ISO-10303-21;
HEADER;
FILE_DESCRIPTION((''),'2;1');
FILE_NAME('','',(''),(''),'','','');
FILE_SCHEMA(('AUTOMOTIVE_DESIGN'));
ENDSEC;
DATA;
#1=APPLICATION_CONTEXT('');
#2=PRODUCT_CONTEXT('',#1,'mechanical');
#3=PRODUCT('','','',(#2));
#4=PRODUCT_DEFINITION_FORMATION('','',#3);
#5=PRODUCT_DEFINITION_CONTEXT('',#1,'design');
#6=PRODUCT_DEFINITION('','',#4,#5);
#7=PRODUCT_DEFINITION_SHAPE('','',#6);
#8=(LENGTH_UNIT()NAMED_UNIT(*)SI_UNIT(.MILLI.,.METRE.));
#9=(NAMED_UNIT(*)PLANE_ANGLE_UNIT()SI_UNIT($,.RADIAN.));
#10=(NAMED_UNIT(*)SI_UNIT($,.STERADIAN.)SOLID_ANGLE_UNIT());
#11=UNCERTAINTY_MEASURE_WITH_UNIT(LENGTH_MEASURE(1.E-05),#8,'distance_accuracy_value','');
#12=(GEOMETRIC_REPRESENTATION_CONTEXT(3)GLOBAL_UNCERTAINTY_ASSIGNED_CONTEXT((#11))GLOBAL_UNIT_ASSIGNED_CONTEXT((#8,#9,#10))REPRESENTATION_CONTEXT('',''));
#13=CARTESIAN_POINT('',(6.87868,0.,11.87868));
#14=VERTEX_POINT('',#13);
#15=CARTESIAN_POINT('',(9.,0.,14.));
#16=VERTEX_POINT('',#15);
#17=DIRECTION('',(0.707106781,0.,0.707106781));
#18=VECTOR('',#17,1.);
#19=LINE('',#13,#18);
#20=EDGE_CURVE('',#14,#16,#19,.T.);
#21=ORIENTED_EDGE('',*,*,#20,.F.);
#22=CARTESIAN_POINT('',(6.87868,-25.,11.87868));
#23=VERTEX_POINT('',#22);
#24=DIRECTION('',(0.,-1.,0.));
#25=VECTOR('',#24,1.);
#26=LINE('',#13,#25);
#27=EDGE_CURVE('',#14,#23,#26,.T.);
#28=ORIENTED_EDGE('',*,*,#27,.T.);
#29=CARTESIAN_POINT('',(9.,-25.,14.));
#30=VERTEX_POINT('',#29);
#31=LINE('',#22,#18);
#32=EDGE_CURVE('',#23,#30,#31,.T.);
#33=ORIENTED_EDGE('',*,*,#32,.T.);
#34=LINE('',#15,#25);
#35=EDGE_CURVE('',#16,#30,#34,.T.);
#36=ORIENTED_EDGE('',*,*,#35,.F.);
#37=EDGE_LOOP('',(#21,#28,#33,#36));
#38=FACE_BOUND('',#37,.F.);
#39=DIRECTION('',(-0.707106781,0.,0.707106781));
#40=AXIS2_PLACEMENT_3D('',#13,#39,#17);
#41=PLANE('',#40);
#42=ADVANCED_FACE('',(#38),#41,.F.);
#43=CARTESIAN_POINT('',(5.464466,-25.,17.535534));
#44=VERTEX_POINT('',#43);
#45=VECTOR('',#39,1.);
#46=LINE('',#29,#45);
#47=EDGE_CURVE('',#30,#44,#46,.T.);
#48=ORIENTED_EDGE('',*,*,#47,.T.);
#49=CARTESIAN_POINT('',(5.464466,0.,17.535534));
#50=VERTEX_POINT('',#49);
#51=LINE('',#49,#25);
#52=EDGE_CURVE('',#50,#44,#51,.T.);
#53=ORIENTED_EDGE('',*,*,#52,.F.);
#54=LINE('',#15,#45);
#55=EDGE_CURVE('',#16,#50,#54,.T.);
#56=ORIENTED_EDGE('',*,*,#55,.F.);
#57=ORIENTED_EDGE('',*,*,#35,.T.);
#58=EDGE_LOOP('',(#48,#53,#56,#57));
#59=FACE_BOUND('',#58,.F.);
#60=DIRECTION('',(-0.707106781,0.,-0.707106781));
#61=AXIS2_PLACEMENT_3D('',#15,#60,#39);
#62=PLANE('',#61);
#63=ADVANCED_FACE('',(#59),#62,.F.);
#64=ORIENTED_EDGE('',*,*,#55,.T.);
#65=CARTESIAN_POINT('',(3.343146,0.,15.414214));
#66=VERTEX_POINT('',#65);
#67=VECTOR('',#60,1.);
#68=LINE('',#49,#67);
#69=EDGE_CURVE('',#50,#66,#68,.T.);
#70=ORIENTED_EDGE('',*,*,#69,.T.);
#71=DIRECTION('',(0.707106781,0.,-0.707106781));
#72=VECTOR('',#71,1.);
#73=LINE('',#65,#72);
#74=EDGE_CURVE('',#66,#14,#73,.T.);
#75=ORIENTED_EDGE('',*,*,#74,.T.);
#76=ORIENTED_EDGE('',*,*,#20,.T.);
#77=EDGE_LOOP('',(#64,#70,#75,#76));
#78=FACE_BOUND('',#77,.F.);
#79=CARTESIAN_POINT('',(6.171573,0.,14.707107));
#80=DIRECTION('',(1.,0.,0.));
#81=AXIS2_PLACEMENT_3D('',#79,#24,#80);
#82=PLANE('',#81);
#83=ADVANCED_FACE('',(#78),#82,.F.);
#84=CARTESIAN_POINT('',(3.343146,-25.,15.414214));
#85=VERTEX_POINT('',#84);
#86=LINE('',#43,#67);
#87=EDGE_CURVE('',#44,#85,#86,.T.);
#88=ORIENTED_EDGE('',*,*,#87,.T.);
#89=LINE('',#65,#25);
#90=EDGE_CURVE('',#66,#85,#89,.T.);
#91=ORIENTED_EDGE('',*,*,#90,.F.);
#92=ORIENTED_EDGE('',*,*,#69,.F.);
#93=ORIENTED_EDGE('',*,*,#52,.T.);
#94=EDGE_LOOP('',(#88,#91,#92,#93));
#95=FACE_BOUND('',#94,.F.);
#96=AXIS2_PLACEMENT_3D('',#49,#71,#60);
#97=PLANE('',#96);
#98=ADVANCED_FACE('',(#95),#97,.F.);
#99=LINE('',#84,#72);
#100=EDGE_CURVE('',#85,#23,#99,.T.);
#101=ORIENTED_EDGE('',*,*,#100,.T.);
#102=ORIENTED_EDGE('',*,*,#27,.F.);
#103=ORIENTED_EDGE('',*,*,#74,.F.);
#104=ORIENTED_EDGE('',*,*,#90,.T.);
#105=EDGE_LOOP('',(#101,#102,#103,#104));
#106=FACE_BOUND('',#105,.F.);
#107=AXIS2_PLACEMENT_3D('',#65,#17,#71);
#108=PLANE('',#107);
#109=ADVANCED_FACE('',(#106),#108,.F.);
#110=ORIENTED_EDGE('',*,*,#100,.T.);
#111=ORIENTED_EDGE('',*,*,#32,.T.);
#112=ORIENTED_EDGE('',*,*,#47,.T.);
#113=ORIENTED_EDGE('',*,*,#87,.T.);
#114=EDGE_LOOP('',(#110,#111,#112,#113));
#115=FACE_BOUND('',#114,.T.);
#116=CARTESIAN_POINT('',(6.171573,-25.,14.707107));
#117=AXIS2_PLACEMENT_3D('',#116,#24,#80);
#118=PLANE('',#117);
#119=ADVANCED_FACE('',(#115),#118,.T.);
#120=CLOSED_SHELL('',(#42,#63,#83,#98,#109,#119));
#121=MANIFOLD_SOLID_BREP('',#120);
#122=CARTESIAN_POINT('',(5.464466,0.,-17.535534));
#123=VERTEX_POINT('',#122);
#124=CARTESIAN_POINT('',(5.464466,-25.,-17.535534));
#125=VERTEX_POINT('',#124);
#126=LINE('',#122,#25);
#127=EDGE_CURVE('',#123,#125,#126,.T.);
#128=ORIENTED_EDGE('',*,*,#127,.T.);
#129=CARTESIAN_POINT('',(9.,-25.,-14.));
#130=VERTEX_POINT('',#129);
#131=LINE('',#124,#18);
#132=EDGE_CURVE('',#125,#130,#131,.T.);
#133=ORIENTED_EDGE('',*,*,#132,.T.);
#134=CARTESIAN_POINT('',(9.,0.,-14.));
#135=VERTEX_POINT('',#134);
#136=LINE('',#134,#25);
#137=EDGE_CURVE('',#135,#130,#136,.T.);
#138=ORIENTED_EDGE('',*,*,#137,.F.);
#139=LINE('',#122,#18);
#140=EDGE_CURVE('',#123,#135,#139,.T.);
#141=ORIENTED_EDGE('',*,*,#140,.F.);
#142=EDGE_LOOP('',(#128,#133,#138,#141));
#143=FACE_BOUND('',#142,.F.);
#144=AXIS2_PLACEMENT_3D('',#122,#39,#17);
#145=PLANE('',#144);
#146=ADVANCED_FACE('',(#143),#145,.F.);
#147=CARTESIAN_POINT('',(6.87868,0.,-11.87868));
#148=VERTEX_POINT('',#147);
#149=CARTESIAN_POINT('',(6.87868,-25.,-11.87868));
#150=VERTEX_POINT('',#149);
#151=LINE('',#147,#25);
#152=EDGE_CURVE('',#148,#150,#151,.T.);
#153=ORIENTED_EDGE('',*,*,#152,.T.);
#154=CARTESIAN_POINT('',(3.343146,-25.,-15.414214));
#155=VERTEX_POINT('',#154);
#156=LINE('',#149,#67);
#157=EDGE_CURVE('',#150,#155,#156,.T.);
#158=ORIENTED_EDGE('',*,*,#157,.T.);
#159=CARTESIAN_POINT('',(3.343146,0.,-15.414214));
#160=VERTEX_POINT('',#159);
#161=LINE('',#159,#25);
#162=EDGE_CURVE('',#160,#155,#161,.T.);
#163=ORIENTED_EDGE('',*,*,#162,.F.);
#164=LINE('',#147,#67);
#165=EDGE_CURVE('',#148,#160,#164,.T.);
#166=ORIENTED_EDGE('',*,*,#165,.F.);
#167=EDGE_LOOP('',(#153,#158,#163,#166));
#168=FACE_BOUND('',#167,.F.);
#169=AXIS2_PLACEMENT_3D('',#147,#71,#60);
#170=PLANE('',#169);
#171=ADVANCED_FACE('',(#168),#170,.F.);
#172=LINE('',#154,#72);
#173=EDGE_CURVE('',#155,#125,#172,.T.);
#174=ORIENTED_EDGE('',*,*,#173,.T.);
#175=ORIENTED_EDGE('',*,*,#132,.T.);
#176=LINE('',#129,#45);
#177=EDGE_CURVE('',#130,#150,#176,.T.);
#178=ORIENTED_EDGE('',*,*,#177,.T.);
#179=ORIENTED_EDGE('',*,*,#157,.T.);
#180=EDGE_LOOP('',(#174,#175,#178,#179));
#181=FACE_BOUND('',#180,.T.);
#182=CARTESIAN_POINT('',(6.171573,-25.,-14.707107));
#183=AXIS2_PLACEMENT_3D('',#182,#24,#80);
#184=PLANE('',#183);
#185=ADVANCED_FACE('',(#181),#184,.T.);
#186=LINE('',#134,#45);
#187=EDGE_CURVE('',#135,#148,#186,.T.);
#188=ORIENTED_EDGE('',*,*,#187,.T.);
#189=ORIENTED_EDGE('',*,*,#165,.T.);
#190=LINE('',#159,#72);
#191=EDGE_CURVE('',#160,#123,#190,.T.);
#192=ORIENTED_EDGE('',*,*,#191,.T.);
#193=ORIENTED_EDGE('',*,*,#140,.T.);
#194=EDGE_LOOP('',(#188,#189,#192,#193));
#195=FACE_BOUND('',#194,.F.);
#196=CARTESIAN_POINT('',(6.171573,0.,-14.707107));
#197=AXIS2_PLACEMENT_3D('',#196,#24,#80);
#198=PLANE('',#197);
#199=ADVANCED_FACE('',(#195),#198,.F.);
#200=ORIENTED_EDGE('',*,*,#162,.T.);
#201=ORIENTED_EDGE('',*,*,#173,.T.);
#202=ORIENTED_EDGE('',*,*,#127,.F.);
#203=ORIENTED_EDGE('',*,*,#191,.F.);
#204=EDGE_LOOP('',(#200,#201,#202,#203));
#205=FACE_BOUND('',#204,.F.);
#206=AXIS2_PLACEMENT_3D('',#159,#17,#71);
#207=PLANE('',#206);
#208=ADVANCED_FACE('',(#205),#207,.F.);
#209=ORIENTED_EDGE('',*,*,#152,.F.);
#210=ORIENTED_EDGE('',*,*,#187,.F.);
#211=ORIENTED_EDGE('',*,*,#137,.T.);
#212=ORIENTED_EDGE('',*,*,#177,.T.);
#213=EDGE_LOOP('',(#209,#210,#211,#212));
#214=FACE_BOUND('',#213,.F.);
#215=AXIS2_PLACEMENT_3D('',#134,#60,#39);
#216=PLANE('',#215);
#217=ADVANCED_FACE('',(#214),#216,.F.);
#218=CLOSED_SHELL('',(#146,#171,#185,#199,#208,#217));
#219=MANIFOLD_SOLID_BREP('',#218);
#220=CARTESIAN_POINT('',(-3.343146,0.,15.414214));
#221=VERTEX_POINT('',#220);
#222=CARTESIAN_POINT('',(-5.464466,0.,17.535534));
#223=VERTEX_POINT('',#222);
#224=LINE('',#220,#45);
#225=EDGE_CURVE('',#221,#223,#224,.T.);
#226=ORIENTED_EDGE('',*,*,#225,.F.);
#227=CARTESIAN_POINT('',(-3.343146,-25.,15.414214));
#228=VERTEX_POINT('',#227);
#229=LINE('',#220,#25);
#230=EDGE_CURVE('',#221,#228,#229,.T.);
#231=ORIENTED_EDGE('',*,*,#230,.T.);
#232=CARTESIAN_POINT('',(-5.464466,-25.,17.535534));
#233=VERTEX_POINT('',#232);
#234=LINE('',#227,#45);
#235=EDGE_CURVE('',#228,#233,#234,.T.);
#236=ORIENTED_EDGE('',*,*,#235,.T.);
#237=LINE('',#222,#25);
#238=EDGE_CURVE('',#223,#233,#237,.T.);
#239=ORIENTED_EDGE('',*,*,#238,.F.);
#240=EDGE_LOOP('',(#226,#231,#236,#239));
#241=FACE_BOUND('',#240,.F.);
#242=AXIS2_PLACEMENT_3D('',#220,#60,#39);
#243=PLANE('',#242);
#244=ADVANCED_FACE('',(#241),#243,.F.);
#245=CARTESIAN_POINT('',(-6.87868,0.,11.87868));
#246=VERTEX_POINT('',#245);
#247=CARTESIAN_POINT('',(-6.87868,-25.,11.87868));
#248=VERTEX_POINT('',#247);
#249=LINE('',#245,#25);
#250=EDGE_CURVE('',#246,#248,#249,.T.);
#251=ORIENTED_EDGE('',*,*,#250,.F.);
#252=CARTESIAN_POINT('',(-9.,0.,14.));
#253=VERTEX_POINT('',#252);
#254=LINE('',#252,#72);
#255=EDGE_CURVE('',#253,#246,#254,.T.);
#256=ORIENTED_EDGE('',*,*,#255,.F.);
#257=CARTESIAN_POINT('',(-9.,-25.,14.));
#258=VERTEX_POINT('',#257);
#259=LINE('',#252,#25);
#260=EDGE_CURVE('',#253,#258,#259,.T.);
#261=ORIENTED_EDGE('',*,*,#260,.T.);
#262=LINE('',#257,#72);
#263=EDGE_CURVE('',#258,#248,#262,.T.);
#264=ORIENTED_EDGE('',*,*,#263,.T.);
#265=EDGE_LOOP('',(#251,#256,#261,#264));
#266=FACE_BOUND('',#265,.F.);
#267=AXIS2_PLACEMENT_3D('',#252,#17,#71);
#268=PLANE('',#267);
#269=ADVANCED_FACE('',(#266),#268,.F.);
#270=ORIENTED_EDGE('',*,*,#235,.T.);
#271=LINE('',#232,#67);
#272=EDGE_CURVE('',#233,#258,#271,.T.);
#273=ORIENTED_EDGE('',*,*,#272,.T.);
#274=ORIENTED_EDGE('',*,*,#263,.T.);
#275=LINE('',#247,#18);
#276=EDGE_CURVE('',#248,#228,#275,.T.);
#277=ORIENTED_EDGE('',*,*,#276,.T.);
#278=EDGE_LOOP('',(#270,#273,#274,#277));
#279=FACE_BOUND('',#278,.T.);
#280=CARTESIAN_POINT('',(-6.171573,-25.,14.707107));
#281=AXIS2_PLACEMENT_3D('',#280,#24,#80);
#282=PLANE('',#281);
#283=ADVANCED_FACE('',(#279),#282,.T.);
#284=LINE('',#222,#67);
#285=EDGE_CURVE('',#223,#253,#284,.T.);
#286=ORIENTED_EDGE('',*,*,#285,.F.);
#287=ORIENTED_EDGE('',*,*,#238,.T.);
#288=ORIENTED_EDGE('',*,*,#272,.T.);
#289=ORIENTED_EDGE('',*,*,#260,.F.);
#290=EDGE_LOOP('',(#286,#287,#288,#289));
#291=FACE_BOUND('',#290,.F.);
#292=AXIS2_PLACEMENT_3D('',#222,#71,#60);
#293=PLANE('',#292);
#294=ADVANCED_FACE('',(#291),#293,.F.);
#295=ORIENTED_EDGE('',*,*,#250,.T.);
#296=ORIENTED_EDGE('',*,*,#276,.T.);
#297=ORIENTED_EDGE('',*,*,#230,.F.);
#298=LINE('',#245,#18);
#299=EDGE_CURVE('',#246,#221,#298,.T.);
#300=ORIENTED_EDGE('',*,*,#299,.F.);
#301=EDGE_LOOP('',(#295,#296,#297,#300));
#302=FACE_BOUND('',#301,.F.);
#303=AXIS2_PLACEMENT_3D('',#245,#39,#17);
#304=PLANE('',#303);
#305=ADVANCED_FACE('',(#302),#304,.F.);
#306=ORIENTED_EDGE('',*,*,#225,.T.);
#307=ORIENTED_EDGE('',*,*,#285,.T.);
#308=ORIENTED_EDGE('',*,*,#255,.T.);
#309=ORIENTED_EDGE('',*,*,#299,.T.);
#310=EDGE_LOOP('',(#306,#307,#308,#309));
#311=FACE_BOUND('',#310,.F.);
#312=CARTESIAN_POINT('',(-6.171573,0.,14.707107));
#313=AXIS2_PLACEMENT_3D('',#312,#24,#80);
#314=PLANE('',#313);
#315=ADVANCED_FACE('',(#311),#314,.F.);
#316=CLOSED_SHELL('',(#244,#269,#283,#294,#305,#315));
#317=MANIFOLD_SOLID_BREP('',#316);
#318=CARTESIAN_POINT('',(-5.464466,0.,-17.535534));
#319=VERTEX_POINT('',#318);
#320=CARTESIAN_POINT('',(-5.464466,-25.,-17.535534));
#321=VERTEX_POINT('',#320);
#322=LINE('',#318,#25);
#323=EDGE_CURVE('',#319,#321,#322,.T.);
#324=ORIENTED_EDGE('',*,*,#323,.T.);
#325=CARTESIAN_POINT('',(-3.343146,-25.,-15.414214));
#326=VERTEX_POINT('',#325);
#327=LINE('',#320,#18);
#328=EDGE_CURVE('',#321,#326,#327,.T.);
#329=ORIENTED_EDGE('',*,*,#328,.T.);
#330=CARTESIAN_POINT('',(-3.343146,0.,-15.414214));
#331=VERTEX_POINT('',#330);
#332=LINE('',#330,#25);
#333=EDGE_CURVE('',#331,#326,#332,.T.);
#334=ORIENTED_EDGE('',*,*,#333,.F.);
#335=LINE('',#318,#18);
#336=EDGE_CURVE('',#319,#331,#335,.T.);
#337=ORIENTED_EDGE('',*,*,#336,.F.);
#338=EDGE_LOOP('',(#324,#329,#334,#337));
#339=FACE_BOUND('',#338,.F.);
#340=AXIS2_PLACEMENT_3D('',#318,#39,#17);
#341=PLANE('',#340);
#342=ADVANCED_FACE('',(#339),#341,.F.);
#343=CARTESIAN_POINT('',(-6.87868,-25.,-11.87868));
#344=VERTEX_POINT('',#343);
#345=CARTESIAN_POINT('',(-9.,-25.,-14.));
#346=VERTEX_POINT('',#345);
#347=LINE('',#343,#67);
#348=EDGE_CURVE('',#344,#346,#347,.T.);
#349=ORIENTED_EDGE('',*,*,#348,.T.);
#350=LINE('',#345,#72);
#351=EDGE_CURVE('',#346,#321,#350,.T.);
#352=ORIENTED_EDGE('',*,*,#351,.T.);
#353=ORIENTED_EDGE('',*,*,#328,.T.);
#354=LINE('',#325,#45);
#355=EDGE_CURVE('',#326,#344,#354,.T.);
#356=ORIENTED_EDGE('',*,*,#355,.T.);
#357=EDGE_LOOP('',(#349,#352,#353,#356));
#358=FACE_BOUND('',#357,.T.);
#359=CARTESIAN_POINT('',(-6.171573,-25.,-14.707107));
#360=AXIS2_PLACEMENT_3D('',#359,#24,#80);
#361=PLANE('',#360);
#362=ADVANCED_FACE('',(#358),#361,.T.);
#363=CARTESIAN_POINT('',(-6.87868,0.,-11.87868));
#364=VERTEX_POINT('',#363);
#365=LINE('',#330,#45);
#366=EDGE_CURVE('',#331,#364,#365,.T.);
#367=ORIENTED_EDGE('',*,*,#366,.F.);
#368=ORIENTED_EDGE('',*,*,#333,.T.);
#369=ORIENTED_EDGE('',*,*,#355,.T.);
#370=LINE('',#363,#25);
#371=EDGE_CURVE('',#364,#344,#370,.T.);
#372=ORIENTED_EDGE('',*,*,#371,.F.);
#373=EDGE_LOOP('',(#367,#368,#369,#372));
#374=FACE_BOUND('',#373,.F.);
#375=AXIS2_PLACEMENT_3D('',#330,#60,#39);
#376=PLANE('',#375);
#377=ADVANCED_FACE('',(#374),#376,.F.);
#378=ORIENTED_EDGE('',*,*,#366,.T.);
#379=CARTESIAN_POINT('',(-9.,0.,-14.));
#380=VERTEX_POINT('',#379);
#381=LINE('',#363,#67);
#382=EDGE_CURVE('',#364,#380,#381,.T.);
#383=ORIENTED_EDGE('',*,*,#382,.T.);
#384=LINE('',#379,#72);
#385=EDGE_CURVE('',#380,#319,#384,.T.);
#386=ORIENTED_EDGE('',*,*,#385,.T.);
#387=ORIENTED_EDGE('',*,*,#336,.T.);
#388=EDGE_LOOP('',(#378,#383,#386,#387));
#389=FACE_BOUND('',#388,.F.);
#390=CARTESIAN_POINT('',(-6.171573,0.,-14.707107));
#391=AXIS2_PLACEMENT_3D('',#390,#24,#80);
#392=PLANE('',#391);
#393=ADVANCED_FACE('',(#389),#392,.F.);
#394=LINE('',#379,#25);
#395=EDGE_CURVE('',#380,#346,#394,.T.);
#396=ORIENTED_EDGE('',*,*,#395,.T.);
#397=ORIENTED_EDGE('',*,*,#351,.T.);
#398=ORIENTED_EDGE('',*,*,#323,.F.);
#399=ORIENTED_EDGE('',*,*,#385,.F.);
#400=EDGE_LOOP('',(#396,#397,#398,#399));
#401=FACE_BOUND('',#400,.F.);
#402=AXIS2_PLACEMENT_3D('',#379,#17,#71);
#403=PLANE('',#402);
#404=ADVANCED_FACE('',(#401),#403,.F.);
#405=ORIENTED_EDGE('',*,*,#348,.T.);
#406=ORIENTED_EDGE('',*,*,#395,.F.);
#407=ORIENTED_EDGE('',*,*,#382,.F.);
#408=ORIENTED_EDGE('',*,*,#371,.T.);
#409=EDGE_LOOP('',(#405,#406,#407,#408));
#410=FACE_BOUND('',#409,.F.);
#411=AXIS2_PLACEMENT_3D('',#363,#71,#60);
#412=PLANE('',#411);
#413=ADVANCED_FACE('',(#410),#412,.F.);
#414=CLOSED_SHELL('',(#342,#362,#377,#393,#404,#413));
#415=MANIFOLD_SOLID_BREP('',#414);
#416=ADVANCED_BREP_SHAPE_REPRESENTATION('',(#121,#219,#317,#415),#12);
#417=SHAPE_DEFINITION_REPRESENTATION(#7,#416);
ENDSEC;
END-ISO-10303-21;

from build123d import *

# Parameters (mm, degrees)
F1_DEPTH = 25


with BuildPart() as f1:
    # F0 (on Front) → F1 (new body)
    with BuildSketch(Plane.XZ):
        Polygon((-6.87868, -11.87868), (-9, -14), (-5.464466, -17.535534), (-3.343146, -15.414214), align=None)
        Polygon((5.464466, -17.535534), (9, -14), (6.87868, -11.87868), (3.343146, -15.414214), align=None)
        Polygon((9, 14), (5.464466, 17.535534), (3.343146, 15.414214), (6.87868, 11.87868), align=None)
        Polygon((-3.343146, 15.414214), (-5.464466, 17.535534), (-9, 14), (-6.87868, 11.87868), align=None)
    extrude(amount=F1_DEPTH)


solid = f1.part
